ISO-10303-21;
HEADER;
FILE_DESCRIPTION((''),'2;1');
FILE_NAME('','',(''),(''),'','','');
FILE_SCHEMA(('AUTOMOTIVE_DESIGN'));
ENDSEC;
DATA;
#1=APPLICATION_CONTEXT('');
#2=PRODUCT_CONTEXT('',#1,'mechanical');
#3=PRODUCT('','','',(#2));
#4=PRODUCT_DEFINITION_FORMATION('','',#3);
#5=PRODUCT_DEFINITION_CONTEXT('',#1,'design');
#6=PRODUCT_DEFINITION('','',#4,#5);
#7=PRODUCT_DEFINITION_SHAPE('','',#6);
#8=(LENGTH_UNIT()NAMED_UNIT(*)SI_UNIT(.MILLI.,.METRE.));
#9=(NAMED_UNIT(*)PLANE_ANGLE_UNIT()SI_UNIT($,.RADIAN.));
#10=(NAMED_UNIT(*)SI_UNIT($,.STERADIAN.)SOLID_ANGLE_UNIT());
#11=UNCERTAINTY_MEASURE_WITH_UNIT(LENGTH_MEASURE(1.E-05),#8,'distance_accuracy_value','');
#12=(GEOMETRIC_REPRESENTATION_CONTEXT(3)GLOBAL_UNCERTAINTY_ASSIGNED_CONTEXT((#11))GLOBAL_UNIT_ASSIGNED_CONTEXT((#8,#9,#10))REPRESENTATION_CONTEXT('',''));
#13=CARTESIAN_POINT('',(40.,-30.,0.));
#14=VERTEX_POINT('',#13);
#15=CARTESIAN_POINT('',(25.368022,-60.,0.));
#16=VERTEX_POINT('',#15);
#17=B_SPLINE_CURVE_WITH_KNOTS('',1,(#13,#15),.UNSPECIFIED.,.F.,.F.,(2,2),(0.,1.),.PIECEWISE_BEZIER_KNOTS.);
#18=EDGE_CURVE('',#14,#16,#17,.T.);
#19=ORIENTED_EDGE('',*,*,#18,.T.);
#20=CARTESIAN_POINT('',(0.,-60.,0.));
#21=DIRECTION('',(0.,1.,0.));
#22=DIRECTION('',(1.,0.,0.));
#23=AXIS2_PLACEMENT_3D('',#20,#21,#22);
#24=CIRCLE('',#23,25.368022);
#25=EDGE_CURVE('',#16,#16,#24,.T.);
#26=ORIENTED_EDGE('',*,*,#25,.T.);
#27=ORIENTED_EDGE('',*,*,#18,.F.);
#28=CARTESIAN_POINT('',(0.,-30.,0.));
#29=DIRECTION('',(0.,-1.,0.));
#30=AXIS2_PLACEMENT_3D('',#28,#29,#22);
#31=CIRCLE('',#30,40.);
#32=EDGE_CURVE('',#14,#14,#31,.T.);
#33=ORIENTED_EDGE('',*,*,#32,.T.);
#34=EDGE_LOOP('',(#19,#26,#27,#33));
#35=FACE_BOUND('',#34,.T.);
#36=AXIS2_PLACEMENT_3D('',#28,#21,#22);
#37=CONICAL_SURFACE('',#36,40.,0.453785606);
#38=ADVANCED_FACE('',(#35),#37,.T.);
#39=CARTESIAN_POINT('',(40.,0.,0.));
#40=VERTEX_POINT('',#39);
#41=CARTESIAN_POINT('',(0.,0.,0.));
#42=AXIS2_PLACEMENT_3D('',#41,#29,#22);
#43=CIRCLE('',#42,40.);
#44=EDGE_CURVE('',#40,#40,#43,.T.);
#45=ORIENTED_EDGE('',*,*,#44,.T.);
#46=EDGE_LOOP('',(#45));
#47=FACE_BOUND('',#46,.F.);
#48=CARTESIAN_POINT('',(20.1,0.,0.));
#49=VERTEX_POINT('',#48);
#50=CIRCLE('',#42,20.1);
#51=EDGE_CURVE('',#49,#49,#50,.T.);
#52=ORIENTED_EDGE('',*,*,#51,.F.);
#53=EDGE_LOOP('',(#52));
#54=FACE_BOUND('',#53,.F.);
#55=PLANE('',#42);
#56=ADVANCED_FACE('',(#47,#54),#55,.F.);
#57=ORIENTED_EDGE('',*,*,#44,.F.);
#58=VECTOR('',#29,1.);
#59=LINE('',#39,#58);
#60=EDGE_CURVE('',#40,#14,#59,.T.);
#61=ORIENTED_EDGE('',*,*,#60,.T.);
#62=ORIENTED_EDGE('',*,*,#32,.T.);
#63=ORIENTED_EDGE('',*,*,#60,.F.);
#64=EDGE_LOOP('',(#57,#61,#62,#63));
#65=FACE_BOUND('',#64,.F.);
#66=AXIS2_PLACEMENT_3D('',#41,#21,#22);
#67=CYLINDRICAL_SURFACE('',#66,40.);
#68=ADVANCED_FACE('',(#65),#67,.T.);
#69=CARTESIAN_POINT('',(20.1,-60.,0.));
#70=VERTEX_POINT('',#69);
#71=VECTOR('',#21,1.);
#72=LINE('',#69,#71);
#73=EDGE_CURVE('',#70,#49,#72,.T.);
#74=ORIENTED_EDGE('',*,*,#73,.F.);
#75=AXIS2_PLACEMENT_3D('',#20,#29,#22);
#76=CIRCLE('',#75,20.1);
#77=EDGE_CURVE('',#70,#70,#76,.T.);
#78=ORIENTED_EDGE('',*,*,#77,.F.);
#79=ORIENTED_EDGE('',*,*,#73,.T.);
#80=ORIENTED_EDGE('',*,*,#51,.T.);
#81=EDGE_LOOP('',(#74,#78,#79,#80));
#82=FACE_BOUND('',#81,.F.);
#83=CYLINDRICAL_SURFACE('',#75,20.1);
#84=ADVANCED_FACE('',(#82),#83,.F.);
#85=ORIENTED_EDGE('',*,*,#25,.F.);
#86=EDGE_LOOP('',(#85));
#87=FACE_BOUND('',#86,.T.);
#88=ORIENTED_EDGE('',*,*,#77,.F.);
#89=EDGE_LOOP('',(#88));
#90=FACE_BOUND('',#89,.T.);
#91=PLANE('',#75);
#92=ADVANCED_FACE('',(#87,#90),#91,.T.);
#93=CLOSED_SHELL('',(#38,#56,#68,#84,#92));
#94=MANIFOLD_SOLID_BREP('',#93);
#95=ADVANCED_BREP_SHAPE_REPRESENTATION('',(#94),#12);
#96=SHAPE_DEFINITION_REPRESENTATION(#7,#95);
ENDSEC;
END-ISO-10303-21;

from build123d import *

# Parameters (mm, degrees)
F0_R      = 40
F1_DEPTH  = 30
F1_FACE_R = 40
F2_DEPTH  = 30
F2_TAPER  = 26
F3_R      = 20.1
F4_DEPTH  = 60.001


with BuildPart() as f1:
    # F0 (on Front) → F1 (new body)
    with BuildSketch(Plane.XZ):
        Circle(F0_R)
    extrude(amount=F1_DEPTH)

    # F1_face (on face) → F2 (join)
    with BuildSketch(Plane.XZ.offset(30)):
        Circle(F1_FACE_R)
    extrude(amount=F2_DEPTH, taper=F2_TAPER)

    # F3 (on face) → F4 (cut, through all)
    with BuildSketch(Plane.XZ.offset(60)):
        Circle(F3_R)
    extrude(amount=-F4_DEPTH, mode=Mode.SUBTRACT)


solid = f1.part
